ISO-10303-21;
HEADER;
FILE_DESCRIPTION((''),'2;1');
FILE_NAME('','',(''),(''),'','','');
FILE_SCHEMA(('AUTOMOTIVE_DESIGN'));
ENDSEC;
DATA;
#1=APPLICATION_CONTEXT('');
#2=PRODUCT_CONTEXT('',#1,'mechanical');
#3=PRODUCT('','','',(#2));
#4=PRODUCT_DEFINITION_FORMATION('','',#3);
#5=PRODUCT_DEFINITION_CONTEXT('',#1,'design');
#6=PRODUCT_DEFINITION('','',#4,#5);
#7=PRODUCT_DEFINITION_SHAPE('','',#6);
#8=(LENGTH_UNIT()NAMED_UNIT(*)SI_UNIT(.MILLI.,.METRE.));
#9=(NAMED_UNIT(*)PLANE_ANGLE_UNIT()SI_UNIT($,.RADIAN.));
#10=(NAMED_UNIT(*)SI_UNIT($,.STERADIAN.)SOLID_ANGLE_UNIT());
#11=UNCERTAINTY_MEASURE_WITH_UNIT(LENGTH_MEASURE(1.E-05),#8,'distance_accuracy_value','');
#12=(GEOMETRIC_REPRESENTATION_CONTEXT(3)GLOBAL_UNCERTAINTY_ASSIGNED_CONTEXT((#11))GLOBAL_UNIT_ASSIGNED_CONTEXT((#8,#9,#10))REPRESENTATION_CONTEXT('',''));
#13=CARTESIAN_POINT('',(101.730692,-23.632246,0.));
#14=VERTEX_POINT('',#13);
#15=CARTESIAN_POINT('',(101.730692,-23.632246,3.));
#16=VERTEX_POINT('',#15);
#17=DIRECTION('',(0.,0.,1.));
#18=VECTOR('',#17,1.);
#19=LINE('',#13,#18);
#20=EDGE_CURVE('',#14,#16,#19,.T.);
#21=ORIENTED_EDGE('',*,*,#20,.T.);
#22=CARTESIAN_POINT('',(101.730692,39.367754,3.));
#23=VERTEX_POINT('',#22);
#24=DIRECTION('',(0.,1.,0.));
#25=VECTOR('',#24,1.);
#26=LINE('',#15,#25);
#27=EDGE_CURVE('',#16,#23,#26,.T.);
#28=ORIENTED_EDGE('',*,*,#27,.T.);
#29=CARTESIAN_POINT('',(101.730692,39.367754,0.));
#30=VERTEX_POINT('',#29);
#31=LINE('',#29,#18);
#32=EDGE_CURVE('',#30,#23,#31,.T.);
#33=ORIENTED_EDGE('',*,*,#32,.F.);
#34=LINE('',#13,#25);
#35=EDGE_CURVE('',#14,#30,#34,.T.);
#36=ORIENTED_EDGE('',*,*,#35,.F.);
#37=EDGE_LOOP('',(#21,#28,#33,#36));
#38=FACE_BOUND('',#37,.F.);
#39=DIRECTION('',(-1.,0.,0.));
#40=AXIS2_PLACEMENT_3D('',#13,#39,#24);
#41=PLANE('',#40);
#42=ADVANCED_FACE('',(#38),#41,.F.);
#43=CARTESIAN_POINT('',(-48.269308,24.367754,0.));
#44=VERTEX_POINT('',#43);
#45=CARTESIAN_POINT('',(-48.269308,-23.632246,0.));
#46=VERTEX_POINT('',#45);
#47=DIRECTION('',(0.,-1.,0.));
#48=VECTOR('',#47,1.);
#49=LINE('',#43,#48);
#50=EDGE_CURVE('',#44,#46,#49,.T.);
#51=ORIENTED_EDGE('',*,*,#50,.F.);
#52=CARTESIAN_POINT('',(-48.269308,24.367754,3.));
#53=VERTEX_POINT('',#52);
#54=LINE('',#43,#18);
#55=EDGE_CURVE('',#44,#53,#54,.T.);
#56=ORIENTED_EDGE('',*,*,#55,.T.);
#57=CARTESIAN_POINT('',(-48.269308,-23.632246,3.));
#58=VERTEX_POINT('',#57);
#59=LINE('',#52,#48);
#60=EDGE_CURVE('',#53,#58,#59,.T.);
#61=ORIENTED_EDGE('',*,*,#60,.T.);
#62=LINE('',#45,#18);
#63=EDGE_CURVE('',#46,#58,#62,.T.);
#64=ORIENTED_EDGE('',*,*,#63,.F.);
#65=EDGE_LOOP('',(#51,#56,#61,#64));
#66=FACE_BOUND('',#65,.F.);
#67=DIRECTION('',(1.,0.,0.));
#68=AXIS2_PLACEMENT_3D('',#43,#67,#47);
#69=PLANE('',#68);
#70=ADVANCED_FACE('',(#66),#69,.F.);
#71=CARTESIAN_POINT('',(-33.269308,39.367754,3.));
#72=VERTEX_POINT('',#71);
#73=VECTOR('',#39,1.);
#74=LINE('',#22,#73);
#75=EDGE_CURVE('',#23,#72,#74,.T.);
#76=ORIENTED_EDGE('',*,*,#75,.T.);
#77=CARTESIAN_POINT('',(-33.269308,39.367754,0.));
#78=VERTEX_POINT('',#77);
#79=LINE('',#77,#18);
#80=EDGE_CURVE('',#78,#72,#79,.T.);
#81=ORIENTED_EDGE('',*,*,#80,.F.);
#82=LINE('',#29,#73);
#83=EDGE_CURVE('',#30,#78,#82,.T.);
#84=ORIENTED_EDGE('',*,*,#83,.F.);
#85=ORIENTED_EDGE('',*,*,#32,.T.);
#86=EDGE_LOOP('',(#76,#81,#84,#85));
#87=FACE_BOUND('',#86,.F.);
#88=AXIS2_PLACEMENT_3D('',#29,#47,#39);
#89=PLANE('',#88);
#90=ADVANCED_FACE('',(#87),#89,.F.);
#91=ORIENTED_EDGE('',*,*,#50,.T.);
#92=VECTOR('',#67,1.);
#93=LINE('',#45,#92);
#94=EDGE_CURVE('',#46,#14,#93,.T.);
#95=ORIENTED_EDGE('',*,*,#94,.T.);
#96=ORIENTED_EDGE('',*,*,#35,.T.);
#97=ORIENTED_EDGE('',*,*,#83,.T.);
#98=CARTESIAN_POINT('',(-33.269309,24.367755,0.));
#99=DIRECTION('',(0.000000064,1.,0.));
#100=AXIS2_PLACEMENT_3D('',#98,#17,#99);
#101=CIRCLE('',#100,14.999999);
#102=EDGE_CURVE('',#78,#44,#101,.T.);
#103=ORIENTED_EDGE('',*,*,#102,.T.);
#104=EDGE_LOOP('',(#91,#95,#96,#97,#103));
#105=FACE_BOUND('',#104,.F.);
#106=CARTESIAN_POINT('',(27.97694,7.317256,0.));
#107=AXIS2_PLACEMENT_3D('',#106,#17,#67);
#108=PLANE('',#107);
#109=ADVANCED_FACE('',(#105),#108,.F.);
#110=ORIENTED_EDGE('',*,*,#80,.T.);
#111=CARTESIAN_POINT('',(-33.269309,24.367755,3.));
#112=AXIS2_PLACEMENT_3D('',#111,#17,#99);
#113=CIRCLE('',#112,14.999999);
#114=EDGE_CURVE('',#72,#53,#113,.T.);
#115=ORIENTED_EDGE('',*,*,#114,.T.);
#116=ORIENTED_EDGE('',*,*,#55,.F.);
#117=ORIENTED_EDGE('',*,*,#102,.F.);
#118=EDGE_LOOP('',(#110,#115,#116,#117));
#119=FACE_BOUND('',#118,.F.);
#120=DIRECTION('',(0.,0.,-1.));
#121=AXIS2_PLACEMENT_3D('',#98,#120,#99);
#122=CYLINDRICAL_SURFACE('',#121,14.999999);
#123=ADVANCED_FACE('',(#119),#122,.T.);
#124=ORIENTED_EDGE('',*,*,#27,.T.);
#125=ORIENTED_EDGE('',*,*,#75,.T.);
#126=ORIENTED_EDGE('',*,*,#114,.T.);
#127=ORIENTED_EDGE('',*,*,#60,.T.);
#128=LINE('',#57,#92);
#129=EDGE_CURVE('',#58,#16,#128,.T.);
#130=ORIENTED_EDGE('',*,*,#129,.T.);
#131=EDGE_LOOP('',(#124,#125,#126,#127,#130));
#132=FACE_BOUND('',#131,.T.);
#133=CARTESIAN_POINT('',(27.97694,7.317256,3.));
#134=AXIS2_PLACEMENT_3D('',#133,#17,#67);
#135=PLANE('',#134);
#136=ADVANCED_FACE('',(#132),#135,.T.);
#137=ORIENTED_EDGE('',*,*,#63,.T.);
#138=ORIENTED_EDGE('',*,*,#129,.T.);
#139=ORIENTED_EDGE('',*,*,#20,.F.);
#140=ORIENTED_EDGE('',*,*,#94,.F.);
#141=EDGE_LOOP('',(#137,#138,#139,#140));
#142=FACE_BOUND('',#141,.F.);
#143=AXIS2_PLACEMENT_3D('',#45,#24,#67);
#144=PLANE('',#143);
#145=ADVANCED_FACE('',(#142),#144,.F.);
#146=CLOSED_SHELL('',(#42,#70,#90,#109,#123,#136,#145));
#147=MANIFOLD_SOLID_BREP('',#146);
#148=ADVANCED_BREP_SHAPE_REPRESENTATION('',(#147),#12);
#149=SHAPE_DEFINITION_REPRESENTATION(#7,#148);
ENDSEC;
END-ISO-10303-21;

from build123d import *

# Parameters (mm, degrees)
F1_DEPTH = 3


with BuildPart() as f1:
    # F0 (on Top) → F1 (new body)
    with BuildSketch(Plane.XY):
        with BuildLine():
            Line((101.730692, 39.367754), (-33.269308, 39.367754))
            ThreePointArc((-33.269308, 39.367754), (-43.87591, 34.974356), (-48.269308, 24.367754))
            Line((-48.269308, 24.367754), (-48.269308, -23.632246))
            Line((-48.269308, -23.632246), (101.730692, -23.632246))
            Line((101.730692, -23.632246), (101.730692, 39.367754))
        make_face()
    extrude(amount=F1_DEPTH)


solid = f1.part
